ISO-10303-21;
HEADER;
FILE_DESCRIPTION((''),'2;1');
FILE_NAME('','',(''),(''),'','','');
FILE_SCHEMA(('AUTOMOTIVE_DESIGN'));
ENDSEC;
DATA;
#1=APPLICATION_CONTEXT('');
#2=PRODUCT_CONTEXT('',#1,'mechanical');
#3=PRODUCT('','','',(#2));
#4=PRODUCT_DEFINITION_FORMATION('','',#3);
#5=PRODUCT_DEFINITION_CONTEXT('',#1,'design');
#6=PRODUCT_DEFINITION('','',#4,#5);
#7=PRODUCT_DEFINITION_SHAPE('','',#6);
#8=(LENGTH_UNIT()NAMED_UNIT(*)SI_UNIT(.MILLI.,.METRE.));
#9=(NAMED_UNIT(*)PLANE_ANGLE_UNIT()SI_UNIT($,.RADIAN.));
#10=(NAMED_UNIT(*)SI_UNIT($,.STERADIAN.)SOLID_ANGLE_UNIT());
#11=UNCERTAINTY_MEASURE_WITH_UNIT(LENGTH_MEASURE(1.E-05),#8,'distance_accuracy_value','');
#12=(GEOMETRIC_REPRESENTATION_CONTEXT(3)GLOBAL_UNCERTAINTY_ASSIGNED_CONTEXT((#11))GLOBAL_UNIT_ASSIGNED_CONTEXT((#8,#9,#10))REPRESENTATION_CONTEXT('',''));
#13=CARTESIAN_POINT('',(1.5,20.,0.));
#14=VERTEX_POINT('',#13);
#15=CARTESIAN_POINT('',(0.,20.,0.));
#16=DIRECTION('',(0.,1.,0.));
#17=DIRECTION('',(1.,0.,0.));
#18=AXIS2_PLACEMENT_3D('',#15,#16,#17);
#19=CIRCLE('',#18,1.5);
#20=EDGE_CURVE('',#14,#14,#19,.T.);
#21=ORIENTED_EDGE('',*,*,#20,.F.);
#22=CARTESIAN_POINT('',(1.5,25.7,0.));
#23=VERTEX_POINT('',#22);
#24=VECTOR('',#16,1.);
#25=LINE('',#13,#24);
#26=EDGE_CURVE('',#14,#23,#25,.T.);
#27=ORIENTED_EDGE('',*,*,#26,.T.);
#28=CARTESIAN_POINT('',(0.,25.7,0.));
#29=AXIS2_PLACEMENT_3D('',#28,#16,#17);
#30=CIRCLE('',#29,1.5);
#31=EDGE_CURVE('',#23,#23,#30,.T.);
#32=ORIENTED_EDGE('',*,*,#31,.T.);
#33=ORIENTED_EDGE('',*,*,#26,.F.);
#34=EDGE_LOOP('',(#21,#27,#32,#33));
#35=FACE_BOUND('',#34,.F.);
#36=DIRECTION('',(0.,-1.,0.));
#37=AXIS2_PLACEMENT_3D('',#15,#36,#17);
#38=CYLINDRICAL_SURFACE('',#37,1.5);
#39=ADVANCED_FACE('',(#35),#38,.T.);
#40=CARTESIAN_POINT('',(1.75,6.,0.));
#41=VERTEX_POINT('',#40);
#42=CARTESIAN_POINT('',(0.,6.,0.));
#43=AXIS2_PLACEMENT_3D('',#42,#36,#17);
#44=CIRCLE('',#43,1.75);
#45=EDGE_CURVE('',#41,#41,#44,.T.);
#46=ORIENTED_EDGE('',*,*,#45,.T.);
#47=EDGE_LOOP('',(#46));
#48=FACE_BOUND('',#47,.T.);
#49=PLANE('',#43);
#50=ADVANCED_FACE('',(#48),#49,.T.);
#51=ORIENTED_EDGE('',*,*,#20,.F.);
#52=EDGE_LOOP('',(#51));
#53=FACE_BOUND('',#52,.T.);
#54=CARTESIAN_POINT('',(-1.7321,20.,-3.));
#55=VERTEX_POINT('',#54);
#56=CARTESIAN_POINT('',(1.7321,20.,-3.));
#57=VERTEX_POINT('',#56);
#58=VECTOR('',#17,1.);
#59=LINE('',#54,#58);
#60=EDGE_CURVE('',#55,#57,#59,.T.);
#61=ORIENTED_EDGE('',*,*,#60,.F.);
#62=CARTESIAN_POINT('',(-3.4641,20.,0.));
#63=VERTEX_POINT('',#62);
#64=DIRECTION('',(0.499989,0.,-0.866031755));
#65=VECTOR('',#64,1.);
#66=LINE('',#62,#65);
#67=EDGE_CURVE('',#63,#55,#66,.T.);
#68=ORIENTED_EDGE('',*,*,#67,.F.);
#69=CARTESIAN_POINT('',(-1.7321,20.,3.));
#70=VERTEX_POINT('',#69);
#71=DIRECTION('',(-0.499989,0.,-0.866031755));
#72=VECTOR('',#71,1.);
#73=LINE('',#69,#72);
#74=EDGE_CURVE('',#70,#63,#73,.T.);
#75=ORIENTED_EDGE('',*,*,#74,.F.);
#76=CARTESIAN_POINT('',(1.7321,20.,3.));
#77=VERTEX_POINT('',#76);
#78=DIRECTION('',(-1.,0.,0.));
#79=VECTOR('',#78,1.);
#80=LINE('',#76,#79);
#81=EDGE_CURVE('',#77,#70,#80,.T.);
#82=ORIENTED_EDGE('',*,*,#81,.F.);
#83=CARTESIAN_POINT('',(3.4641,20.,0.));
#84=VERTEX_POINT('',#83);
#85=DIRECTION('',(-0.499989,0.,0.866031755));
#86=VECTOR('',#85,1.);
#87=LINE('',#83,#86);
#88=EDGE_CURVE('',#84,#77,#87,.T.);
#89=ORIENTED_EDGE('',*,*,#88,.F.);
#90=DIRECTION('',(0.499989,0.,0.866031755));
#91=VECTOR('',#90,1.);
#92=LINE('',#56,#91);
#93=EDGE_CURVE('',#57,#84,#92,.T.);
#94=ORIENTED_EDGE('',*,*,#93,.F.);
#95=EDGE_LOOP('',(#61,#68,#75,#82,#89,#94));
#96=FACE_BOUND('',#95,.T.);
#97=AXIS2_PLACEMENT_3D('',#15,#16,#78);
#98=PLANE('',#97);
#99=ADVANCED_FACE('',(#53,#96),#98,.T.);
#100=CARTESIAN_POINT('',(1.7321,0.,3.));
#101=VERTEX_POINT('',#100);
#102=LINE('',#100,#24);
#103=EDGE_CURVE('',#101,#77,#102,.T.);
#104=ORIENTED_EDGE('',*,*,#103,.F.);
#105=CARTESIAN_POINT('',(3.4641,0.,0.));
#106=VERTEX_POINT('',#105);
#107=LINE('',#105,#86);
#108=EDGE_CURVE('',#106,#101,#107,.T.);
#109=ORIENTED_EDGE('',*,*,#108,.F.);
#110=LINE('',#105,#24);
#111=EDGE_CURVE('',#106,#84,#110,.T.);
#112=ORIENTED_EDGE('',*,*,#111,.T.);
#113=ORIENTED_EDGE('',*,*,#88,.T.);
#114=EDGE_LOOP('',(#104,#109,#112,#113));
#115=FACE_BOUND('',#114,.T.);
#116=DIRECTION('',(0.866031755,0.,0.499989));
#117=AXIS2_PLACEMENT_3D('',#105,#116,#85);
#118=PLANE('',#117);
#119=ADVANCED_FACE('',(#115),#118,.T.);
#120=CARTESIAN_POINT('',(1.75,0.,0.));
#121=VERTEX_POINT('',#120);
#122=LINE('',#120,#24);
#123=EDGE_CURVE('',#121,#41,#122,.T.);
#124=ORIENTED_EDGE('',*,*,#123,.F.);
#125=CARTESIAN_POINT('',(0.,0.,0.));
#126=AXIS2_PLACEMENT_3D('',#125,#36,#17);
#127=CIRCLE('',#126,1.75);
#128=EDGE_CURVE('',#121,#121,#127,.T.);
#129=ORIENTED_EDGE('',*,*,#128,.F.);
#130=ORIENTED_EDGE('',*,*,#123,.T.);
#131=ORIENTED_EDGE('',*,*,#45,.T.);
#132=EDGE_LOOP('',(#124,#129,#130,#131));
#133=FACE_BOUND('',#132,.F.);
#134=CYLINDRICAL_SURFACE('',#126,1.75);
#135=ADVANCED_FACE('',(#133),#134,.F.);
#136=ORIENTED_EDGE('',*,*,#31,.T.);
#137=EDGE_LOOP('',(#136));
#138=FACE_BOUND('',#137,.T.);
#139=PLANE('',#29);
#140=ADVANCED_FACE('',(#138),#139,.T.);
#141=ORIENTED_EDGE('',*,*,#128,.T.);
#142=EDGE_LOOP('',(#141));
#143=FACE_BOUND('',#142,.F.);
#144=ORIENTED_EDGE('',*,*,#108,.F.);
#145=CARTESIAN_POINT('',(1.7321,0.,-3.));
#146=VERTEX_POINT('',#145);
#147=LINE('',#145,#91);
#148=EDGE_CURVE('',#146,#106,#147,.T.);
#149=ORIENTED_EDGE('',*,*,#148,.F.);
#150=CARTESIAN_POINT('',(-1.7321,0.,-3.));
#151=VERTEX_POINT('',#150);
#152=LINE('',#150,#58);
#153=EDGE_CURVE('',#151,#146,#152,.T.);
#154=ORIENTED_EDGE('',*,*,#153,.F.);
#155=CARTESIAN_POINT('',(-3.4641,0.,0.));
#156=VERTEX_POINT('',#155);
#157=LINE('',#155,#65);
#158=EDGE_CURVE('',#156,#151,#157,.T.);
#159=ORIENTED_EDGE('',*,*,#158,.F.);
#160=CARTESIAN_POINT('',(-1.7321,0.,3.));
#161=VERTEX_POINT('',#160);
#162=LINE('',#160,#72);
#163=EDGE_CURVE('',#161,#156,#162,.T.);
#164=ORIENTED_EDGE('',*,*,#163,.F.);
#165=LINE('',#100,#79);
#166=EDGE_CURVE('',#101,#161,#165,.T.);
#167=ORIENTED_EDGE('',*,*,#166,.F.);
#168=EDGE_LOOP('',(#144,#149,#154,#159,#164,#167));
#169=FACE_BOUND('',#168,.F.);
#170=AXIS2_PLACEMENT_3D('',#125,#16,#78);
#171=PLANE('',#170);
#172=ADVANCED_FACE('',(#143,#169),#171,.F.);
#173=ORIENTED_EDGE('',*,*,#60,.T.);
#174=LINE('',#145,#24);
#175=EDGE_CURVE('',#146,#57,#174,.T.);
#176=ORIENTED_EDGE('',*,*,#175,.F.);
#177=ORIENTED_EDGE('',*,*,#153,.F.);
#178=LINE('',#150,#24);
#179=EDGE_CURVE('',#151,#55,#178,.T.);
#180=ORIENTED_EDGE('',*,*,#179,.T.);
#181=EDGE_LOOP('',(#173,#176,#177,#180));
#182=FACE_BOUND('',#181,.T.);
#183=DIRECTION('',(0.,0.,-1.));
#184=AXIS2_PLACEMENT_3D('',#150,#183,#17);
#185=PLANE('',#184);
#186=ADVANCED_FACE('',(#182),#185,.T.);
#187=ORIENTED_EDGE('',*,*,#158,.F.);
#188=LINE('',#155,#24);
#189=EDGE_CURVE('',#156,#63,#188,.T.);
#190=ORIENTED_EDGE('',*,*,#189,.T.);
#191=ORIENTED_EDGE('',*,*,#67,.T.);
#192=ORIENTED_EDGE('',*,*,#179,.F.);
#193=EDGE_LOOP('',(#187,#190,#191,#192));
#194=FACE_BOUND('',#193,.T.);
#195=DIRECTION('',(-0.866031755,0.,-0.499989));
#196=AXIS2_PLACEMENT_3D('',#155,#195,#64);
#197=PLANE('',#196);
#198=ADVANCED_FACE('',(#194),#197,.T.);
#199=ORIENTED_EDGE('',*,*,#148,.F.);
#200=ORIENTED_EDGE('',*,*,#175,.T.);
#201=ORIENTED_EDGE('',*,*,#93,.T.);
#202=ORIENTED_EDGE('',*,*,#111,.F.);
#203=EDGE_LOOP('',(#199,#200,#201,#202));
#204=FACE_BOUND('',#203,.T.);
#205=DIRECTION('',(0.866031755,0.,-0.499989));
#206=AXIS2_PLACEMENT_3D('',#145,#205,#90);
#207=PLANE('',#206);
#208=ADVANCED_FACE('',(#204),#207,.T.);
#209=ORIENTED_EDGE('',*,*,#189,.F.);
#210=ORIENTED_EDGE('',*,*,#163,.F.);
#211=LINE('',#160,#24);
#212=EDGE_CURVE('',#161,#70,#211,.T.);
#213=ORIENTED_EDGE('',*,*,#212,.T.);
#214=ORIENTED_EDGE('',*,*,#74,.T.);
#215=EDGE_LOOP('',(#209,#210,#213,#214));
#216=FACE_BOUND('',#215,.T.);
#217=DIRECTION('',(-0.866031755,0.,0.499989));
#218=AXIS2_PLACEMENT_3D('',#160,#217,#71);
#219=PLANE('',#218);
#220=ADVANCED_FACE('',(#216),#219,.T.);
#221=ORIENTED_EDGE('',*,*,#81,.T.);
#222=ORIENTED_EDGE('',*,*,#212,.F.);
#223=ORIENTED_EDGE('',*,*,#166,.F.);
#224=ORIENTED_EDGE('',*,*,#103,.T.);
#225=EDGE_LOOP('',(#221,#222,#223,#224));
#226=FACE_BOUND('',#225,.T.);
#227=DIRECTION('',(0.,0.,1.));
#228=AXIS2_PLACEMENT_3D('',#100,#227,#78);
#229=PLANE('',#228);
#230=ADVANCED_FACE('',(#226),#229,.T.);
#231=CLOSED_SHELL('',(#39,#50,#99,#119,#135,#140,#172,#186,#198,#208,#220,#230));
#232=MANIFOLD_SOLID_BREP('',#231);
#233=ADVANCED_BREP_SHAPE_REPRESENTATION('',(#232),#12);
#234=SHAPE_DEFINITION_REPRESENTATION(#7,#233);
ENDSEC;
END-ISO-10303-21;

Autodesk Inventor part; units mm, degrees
ref_plane "YZ Plane" through (0, 0, 0) normal (1, 0, 0) x (0, 1, 0)
ref_plane "XZ Plane" through (0, 0, 0) normal (0, 1, 0) x (-1, 0, 0)
ref_plane "XY Plane" through (0, 0, 0) normal (0, 0, 1) x (1, 0, 0)
sketch "Sketch1" plane through (0, 0, 0) normal (0, 1, 0) x (-1, 0, 0)
  line L0 (-3.4641, 0) -> (-1.7321, 3)
  line L1 (-1.7321, 3) -> (1.7321, 3)
  line L2 (1.7321, 3) -> (3.4641, 0)
  line L3 (3.4641, 0) -> (1.7321, -3)
  line L4 (1.7321, -3) -> (-1.7321, -3)
  line L5 (-1.7321, -3) -> (-3.4641, 0)
  point P0 (0, 0)
  point P1 (0, 0)
  dimension "d1" = 6
extrude "Extrusion1" add sketch "Sketch1" along normal blind 20
sketch "Sketch2" plane through (0, 0, 0) normal (0, -1, 0) x (1, 0, 0)
  circle A0 centre (0, 0) radius 1.75
  dimension "d4" = 3.5
sketch "Sketch3" plane through (0, 20, 0) normal (0, 1, 0) x (1, 0, 0)
  circle A0 centre (0, 0) radius 1.5
  dimension "d5" = 3
extrude "Extrusion2" add sketch "Sketch3" along normal blind 5.7
extrude "Extrusion3" cut sketch "Sketch2" against normal blind 6
thread "Thread1" size "M3x0.35" class "6g" standard "ANSI Metric M Profile" full length
thread "Thread2" size "M4x0.5" class "6H" standard "ANSI Metric M Profile" full length
properties part number "spacer2cm"
